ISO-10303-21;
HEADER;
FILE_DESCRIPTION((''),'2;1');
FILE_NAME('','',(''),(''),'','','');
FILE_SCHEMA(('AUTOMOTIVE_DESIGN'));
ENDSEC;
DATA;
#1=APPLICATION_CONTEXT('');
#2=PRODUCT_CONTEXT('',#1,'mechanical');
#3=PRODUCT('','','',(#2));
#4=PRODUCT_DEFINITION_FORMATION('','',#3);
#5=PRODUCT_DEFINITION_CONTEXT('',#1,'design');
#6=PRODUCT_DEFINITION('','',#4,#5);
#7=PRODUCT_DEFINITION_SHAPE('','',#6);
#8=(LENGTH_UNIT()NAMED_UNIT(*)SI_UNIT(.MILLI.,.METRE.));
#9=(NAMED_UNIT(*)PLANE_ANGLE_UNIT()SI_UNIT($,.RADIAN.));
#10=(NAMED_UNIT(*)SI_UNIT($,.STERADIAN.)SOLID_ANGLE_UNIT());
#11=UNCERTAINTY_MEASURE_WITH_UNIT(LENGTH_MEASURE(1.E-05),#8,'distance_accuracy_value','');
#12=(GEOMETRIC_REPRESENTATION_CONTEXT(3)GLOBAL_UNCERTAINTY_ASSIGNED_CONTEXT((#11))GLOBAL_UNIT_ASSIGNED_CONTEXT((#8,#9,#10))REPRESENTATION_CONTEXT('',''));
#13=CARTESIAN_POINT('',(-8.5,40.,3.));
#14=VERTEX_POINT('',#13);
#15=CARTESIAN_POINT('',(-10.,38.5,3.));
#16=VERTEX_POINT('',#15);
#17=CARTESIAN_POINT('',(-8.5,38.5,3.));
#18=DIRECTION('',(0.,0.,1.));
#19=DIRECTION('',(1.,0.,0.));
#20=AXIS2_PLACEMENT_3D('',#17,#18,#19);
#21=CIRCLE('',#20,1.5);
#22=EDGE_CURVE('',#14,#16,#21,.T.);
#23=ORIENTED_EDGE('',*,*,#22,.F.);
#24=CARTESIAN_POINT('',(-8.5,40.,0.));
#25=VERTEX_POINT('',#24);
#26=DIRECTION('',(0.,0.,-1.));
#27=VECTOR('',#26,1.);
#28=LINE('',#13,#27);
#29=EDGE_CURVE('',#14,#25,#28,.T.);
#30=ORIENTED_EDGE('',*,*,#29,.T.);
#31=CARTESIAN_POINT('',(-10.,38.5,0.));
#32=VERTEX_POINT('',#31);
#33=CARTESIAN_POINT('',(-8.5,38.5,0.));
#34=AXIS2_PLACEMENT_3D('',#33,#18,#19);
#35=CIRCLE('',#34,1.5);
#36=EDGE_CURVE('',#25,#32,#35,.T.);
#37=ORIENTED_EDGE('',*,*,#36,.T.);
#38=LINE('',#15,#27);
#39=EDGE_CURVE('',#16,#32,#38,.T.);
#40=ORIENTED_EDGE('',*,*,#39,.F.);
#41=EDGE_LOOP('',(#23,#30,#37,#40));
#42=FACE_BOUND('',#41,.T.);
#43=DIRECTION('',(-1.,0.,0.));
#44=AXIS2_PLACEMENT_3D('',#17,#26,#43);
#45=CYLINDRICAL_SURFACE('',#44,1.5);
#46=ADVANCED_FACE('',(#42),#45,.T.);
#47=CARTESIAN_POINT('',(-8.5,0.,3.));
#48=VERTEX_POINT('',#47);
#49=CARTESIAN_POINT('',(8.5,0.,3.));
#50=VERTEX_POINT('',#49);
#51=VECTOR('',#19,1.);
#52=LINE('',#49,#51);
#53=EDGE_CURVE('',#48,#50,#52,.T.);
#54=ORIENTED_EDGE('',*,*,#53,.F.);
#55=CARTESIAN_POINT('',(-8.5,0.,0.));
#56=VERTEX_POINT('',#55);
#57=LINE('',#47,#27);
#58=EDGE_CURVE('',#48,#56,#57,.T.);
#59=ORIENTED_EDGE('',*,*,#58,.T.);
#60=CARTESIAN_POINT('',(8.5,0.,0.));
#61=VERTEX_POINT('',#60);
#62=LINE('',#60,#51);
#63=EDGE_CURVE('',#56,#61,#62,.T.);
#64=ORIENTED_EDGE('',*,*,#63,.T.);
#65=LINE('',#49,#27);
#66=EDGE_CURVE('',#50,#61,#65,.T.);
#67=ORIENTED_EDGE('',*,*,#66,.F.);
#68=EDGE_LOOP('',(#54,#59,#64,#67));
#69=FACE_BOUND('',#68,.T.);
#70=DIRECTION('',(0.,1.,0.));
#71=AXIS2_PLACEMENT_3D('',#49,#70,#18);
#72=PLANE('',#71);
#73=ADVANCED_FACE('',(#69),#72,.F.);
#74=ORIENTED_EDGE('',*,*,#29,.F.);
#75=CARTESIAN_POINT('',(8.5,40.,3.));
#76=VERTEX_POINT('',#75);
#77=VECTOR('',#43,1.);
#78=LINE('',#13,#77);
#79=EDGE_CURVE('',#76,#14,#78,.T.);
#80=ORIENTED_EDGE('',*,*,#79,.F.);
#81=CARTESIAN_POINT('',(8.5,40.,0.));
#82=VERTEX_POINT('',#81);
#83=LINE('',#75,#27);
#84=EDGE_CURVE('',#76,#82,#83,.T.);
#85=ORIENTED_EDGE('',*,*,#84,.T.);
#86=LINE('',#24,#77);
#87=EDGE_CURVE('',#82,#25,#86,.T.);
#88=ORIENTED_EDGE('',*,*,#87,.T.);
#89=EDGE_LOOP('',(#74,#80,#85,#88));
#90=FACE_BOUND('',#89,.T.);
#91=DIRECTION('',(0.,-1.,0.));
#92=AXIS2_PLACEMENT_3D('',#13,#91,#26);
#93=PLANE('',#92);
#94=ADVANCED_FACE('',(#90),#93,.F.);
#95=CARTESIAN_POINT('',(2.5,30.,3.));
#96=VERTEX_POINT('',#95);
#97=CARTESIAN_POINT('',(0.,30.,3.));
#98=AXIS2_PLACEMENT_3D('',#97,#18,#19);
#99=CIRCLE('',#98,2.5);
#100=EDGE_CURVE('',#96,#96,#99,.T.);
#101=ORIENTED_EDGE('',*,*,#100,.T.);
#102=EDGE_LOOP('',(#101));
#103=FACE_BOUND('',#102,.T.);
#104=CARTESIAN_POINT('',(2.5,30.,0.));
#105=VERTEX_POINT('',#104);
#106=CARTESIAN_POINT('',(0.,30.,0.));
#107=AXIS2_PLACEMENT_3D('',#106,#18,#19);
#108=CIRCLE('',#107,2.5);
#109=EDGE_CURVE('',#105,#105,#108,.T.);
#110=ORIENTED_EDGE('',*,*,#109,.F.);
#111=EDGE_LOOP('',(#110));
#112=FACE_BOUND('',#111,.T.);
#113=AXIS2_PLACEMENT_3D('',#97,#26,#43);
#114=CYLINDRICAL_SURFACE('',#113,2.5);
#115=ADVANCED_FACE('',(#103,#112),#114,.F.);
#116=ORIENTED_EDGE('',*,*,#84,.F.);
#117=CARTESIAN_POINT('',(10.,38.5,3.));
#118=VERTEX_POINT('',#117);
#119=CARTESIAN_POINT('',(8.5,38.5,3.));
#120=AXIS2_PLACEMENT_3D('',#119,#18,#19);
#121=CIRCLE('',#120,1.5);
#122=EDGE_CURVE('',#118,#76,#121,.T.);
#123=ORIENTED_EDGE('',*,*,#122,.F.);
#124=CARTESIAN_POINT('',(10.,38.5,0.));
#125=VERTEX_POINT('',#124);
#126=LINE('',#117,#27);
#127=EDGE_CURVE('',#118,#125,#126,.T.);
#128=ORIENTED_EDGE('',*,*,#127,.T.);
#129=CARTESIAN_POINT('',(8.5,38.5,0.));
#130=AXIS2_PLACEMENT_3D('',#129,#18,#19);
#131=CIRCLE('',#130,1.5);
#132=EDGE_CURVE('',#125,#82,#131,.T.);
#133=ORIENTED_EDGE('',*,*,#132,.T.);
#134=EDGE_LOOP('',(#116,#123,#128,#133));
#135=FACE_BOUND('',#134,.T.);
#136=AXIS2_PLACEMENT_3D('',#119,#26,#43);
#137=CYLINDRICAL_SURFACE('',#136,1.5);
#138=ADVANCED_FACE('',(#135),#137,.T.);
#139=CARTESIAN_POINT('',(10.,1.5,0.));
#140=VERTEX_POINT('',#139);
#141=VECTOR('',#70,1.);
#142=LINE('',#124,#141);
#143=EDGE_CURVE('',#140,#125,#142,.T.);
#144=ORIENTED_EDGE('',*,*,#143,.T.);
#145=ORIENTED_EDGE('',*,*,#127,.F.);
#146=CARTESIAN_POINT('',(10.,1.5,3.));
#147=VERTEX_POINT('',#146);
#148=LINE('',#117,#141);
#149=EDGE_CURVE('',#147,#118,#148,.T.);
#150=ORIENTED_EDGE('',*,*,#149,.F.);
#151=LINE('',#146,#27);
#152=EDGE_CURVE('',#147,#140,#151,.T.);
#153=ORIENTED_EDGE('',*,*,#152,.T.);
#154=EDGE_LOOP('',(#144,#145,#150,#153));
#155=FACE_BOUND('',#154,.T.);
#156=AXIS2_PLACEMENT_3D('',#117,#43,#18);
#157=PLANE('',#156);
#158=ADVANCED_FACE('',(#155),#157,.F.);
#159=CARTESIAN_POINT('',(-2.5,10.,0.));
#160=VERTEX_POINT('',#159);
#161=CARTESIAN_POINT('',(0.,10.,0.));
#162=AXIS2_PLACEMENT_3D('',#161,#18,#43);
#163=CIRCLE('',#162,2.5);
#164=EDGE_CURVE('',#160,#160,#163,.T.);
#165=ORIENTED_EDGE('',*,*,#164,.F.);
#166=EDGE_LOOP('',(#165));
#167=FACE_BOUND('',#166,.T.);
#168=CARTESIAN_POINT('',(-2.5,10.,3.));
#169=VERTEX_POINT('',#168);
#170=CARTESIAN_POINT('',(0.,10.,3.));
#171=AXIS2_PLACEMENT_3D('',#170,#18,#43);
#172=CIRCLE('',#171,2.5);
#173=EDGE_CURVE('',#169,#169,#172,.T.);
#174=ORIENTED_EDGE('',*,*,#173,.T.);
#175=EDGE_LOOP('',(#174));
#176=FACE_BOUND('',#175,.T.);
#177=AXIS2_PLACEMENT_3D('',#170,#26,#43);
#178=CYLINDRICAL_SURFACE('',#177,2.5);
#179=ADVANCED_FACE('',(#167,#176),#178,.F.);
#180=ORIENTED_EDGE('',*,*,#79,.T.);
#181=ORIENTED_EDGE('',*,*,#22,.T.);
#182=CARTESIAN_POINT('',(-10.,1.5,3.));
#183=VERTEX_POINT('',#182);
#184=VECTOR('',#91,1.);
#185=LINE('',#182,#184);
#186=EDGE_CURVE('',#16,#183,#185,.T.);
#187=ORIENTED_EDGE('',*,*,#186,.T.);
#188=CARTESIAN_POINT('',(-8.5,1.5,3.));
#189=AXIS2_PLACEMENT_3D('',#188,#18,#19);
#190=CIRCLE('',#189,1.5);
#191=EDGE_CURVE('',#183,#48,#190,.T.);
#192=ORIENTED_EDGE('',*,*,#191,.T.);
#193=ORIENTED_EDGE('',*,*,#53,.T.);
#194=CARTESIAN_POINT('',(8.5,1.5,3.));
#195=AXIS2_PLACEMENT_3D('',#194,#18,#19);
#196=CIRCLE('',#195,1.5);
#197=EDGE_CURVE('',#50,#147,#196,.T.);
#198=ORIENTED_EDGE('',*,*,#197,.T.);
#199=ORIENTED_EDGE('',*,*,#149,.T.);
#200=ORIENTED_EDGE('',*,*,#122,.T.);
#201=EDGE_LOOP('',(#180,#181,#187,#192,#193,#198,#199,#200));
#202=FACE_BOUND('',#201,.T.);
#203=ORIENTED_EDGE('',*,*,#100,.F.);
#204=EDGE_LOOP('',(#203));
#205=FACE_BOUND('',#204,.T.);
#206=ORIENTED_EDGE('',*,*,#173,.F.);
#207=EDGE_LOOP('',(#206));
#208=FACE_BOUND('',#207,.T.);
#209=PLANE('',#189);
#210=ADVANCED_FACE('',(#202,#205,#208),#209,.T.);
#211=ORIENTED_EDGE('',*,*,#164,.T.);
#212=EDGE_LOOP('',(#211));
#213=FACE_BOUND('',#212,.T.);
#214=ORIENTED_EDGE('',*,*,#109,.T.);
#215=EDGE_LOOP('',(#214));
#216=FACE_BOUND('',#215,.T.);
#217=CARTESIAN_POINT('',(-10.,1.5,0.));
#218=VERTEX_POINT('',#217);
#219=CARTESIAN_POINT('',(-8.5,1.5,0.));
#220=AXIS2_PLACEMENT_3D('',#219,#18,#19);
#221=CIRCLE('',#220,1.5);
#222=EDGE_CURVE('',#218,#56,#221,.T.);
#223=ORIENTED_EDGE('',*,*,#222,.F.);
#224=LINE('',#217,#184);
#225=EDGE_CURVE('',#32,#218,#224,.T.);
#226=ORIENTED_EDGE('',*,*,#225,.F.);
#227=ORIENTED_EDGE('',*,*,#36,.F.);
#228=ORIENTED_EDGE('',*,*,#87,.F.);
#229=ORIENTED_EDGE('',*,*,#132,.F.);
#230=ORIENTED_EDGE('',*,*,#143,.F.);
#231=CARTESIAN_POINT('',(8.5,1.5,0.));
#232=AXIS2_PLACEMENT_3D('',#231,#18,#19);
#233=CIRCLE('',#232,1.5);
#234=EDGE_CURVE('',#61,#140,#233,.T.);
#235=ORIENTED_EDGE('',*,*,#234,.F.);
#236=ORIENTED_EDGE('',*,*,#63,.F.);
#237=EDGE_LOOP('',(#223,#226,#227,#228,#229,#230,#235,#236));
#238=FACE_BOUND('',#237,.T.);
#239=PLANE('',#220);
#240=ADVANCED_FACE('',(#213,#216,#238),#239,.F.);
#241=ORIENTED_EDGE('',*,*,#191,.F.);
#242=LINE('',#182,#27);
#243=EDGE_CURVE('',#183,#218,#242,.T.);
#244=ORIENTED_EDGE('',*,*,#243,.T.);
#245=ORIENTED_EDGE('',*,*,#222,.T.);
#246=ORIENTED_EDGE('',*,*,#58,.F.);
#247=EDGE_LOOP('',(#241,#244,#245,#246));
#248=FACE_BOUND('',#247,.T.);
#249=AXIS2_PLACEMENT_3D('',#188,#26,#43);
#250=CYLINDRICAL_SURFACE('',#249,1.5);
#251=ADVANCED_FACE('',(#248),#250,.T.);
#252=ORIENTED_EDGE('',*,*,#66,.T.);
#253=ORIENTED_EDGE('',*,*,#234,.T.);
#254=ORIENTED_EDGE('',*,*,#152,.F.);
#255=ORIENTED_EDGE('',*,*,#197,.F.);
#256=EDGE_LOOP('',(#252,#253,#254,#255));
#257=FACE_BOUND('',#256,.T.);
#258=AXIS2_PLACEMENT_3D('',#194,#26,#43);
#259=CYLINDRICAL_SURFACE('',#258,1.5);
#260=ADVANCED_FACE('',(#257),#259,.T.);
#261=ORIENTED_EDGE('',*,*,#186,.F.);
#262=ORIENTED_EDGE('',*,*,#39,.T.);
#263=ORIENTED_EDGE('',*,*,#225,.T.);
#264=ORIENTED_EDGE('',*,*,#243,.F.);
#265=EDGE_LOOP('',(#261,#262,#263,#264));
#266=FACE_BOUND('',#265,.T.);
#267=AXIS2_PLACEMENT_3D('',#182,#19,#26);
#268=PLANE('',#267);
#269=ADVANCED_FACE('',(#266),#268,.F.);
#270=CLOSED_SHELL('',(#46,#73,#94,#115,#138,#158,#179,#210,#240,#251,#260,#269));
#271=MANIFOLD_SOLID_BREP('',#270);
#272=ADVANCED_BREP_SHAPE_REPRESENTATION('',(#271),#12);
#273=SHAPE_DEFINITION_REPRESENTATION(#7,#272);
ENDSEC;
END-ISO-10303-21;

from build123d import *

# Parameters (mm, degrees)
MODEL_R             = 2.5
BOSS_EXTRUDE1_DEPTH = 3


with BuildPart() as part:
    # Model → Boss-Extrude1 (new body)
    with BuildSketch(Plane.XY):
        with BuildLine():
            Line((8.5, 0), (-8.5, 0))
            ThreePointArc((-8.5, 0), (-9.560660172, 0.439339828), (-10, 1.5))
            Line((-10, 1.5), (-10, 38.5))
            ThreePointArc((-10, 38.5), (-9.560660172, 39.560660172), (-8.5, 40))
            Line((-8.5, 40), (8.5, 40))
            ThreePointArc((8.5, 40), (9.560660172, 39.560660172), (10, 38.5))
            Line((10, 38.5), (10, 1.5))
            ThreePointArc((10, 1.5), (9.560660172, 0.439339828), (8.5, 0))
        make_face()
        with Locations((0, 30)):
            Circle(MODEL_R, mode=Mode.SUBTRACT)
        with Locations((0, 10)):
            Circle(MODEL_R, mode=Mode.SUBTRACT)
    extrude(amount=BOSS_EXTRUDE1_DEPTH)


solid = part.part
